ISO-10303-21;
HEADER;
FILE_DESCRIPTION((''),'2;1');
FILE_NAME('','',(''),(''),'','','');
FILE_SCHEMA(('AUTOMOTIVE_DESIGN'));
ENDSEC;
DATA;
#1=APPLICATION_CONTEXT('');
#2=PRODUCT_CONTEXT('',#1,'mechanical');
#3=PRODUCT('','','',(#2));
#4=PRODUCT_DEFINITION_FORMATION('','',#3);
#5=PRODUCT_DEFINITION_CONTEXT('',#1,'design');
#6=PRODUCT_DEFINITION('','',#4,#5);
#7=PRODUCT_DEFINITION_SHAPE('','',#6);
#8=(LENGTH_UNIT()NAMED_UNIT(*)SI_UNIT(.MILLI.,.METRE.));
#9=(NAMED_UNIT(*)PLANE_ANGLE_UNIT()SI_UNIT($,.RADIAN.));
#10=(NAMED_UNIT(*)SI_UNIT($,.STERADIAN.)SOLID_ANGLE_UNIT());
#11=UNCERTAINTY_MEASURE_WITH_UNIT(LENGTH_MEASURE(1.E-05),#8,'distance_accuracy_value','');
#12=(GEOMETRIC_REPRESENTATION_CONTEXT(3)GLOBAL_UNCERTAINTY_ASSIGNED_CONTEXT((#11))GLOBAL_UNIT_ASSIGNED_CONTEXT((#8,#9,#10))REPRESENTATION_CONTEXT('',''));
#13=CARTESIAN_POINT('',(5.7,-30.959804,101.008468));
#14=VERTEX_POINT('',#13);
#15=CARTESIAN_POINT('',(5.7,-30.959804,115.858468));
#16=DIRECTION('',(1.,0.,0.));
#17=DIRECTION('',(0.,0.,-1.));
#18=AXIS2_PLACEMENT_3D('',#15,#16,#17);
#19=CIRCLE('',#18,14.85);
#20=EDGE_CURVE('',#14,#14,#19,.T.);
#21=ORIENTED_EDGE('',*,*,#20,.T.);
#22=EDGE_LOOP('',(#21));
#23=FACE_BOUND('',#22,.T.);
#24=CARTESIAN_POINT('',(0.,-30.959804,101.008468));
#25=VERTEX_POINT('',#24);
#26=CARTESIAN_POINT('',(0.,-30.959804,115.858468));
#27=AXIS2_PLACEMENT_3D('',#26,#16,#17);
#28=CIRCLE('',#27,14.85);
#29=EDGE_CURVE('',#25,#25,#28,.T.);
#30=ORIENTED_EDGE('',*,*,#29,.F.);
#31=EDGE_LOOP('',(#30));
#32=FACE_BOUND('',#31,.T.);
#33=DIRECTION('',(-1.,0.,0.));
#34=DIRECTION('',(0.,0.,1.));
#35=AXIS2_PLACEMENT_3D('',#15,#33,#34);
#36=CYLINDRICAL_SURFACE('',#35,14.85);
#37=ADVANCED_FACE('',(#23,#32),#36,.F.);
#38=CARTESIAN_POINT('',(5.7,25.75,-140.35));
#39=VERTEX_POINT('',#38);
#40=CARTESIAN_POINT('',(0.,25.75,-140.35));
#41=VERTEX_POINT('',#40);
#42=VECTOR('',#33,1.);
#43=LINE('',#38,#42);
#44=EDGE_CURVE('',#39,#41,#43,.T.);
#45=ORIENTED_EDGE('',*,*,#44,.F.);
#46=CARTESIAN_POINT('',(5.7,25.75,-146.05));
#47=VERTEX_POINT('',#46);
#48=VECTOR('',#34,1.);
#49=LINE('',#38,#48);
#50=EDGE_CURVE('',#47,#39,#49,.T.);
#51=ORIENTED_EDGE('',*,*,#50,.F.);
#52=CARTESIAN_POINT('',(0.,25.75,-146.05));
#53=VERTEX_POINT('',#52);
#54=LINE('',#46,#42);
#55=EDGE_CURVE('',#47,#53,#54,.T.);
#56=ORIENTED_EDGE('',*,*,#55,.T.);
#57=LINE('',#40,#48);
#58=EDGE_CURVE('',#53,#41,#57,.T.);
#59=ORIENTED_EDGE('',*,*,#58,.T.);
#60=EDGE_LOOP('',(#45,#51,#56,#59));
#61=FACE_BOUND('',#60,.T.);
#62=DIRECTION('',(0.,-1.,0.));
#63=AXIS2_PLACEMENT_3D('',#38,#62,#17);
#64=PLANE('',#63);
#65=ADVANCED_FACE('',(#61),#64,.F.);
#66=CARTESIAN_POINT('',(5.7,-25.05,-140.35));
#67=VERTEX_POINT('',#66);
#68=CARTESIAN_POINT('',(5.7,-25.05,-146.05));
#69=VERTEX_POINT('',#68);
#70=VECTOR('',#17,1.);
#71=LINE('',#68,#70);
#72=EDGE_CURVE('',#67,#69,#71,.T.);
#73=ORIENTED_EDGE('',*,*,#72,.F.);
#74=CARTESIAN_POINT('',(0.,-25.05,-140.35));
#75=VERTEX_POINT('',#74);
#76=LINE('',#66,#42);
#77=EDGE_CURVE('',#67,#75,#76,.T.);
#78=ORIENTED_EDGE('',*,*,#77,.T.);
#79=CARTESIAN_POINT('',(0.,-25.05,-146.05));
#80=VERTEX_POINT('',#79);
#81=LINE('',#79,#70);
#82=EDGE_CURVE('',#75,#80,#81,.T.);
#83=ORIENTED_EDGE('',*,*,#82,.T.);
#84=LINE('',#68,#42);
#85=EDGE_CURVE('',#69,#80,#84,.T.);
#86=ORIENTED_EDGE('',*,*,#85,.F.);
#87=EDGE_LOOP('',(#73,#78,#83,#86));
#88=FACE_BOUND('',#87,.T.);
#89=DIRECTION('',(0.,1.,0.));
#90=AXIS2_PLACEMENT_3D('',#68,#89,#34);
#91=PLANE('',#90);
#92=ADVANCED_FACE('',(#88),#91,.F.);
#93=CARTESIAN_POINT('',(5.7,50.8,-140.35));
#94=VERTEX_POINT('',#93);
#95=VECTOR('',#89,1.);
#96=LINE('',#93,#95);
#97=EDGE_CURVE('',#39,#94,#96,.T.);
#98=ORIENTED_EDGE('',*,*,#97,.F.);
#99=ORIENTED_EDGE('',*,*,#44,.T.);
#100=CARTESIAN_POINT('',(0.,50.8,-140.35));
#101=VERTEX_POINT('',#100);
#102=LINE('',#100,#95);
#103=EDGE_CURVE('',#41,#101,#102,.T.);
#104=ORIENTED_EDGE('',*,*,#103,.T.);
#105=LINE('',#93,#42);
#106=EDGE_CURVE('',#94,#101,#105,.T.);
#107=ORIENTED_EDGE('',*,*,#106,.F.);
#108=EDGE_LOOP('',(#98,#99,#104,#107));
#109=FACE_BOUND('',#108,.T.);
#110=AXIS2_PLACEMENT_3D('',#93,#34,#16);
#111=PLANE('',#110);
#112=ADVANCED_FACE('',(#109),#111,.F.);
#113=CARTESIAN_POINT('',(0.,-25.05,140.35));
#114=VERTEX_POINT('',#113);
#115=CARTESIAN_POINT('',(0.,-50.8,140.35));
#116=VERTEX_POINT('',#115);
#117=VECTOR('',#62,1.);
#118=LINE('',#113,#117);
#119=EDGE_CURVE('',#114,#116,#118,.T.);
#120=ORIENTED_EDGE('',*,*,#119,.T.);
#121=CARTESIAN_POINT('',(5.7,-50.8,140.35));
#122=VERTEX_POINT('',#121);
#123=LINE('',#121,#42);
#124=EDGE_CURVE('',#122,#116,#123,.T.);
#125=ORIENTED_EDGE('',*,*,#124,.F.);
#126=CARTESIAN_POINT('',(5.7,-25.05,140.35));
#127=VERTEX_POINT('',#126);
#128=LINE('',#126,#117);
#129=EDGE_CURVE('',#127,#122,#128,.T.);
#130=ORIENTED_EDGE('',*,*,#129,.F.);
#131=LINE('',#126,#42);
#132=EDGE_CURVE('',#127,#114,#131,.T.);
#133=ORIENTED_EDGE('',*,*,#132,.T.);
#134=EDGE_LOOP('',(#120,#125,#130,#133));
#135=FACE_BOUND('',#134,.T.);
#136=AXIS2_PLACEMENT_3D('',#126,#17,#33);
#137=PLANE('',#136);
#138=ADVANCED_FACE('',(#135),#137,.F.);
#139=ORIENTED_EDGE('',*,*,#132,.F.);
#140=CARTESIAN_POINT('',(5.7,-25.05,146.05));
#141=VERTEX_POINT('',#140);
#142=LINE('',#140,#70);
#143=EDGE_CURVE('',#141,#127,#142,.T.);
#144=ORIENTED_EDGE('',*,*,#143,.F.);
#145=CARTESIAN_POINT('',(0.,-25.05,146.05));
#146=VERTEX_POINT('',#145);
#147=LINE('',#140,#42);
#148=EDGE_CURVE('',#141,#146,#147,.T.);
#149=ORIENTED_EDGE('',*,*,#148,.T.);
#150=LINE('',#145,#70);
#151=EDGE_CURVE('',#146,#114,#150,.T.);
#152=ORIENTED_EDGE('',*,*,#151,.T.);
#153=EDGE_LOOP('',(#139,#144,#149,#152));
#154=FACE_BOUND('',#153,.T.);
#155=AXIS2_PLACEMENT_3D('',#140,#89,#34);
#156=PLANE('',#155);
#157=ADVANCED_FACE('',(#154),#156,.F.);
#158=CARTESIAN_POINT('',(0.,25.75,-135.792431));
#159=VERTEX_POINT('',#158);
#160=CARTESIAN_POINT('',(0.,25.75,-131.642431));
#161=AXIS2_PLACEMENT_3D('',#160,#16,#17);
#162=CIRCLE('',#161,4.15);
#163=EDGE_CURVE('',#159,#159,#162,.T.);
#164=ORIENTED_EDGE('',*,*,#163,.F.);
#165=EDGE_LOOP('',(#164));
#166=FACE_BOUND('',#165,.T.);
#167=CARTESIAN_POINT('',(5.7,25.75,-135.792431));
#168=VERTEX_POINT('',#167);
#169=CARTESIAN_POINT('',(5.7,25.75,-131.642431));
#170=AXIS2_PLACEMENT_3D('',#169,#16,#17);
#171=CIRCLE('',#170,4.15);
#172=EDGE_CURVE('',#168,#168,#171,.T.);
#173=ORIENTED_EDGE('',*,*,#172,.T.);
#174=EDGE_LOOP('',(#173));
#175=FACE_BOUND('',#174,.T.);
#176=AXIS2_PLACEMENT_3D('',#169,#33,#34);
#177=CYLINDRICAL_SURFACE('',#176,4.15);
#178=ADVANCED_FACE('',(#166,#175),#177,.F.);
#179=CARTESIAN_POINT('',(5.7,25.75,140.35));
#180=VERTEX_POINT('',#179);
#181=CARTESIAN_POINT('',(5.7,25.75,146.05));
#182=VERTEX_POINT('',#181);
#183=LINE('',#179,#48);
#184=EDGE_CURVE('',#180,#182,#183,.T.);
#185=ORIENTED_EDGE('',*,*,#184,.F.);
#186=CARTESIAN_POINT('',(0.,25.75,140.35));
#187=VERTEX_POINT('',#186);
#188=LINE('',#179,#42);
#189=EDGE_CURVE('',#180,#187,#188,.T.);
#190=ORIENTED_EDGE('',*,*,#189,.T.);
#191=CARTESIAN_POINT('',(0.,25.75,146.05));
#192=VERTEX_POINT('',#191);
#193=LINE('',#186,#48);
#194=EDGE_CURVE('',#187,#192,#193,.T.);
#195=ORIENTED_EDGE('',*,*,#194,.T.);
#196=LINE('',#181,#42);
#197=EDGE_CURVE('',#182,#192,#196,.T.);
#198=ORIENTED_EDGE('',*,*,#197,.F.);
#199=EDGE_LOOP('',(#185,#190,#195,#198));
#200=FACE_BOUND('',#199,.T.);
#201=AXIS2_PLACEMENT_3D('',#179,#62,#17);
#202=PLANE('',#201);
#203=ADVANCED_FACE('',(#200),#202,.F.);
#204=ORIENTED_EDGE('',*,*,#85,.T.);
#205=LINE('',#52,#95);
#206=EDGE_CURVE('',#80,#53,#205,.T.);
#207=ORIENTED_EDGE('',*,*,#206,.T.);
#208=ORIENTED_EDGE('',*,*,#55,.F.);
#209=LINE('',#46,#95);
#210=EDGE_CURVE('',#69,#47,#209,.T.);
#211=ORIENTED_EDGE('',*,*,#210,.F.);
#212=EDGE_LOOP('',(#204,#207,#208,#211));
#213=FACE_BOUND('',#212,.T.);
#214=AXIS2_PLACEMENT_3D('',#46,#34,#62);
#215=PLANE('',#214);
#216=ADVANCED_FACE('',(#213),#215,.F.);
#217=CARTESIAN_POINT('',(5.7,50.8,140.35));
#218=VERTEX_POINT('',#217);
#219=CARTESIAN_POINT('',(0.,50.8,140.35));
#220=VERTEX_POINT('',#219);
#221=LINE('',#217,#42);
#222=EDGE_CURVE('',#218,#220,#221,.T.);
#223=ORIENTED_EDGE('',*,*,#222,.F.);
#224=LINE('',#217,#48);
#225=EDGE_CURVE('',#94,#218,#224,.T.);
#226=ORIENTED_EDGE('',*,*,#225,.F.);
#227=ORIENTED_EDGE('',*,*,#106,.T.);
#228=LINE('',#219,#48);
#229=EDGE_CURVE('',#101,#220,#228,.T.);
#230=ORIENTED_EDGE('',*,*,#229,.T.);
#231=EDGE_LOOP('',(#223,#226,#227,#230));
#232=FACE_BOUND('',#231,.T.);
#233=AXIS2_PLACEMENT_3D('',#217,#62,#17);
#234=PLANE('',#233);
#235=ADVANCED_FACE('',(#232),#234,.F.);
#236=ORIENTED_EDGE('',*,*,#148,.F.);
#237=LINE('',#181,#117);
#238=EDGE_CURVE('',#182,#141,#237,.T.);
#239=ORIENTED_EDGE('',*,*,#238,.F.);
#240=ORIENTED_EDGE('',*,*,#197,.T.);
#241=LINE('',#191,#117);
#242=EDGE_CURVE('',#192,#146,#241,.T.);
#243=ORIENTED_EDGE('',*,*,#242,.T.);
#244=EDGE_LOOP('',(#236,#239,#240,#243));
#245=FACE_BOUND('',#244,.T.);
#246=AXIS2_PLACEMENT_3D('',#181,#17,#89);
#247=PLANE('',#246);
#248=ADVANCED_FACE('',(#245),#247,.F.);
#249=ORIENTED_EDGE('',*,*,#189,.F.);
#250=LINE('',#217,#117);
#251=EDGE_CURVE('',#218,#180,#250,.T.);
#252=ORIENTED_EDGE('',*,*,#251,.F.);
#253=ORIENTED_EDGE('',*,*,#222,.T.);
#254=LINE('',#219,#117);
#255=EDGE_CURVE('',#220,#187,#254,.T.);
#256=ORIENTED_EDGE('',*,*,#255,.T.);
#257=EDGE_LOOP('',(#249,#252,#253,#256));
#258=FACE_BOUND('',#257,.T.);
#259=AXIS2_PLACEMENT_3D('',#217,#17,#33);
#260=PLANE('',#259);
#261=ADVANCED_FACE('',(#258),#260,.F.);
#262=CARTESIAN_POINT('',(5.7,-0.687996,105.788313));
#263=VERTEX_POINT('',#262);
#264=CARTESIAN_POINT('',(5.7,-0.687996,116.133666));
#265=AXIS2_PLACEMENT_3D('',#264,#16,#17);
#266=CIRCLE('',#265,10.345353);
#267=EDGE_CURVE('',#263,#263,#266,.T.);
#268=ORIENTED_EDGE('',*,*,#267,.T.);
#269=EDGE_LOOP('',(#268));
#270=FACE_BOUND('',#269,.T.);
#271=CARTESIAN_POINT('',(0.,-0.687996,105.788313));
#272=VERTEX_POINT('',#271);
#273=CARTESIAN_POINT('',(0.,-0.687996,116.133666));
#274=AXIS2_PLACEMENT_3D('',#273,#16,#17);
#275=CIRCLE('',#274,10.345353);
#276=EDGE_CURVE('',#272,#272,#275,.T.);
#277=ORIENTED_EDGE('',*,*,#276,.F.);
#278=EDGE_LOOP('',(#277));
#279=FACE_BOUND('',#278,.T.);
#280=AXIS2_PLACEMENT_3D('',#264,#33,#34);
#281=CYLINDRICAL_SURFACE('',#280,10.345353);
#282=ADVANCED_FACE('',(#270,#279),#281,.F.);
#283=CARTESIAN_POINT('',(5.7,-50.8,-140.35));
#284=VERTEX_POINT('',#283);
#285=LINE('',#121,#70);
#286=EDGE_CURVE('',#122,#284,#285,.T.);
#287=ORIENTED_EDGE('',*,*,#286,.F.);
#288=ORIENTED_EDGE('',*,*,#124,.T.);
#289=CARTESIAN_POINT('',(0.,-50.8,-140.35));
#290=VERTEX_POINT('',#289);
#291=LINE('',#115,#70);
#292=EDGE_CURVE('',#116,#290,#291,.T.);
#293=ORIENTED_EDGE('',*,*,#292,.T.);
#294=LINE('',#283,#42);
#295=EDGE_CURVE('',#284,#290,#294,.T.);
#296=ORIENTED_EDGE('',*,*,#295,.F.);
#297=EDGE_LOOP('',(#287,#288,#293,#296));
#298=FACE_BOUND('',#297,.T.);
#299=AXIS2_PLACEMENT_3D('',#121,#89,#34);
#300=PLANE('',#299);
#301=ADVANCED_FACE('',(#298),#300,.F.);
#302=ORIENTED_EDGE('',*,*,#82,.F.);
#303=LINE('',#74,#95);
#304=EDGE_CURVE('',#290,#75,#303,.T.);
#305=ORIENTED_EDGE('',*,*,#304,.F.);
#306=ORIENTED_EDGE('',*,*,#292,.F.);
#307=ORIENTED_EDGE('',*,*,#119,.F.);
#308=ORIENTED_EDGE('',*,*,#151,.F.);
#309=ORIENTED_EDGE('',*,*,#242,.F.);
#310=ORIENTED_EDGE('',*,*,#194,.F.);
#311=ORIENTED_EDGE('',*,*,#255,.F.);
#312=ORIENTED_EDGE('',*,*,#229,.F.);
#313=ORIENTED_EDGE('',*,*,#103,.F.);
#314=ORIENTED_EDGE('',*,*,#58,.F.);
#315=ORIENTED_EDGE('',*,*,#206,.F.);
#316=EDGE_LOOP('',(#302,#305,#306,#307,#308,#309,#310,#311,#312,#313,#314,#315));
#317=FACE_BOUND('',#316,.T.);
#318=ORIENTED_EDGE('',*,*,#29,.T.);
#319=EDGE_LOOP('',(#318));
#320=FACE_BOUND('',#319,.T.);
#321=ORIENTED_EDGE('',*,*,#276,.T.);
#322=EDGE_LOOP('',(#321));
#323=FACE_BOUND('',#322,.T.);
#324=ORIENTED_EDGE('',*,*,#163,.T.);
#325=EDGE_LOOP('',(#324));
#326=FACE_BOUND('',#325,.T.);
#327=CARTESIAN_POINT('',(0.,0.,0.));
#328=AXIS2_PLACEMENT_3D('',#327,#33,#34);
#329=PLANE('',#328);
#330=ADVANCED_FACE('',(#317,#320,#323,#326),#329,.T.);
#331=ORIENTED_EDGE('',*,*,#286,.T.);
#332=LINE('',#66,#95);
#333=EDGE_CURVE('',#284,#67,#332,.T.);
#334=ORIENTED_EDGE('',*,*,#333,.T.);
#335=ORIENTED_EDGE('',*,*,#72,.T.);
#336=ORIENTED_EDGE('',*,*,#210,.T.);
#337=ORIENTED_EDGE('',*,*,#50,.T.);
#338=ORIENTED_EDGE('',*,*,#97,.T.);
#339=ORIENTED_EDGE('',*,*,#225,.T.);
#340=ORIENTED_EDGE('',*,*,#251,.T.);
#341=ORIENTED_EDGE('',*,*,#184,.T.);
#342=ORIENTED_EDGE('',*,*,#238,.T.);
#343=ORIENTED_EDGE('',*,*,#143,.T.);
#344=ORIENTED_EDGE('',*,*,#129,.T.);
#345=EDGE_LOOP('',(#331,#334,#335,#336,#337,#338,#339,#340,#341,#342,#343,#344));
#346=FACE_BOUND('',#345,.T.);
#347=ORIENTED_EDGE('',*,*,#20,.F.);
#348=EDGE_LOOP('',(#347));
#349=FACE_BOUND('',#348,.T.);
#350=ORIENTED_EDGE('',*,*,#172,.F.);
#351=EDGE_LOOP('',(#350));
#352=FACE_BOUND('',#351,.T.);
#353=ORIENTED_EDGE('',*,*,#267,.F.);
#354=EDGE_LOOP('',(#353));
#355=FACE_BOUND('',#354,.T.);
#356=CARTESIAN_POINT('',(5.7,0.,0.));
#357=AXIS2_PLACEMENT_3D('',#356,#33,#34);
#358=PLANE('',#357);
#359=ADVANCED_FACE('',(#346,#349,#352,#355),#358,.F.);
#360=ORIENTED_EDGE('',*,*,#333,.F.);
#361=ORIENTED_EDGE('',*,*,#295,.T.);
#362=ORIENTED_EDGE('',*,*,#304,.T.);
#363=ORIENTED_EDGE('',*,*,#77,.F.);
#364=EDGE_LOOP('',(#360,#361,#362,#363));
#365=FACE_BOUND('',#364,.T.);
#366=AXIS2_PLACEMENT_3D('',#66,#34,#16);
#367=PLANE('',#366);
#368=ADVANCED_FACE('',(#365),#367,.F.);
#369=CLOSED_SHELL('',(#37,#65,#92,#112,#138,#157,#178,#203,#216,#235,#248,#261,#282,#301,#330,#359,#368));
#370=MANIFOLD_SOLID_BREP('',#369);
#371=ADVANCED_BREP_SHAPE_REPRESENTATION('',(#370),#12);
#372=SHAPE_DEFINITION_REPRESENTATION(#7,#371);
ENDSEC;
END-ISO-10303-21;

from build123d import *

# Parameters (mm, degrees)
SKETCH1_R           = 4.15
SKETCH1_R_2         = 10.345352818
SKETCH1_R_3         = 14.85
BOSS_EXTRUDE1_DEPTH = 5.7


with BuildPart() as part:
    # Sketch1 → Boss-Extrude1 (new body)
    with BuildSketch(Plane(origin=(0, 0, 0), x_dir=(0, 0, -1), z_dir=(1, 0, 0))):
        Polygon((-140.35, 50.8), (140.35, 50.8), (140.35, 25.75), (146.05, 25.75), (146.05, -25.05), (140.35, -25.05), (140.35, -50.8), (-140.35, -50.8), (-140.35, -25.05), (-146.05, -25.05), (-146.05, 25.75), (-140.35, 25.75), align=None)
        with Locations((131.642431314, 25.75)):
            Circle(SKETCH1_R, mode=Mode.SUBTRACT)
        with Locations((-116.133665793, -0.68799565)):
            Circle(SKETCH1_R_2, mode=Mode.SUBTRACT)
        with Locations((-115.858467533, -30.959804269)):
            Circle(SKETCH1_R_3, mode=Mode.SUBTRACT)
    extrude(amount=BOSS_EXTRUDE1_DEPTH)


solid = part.part
